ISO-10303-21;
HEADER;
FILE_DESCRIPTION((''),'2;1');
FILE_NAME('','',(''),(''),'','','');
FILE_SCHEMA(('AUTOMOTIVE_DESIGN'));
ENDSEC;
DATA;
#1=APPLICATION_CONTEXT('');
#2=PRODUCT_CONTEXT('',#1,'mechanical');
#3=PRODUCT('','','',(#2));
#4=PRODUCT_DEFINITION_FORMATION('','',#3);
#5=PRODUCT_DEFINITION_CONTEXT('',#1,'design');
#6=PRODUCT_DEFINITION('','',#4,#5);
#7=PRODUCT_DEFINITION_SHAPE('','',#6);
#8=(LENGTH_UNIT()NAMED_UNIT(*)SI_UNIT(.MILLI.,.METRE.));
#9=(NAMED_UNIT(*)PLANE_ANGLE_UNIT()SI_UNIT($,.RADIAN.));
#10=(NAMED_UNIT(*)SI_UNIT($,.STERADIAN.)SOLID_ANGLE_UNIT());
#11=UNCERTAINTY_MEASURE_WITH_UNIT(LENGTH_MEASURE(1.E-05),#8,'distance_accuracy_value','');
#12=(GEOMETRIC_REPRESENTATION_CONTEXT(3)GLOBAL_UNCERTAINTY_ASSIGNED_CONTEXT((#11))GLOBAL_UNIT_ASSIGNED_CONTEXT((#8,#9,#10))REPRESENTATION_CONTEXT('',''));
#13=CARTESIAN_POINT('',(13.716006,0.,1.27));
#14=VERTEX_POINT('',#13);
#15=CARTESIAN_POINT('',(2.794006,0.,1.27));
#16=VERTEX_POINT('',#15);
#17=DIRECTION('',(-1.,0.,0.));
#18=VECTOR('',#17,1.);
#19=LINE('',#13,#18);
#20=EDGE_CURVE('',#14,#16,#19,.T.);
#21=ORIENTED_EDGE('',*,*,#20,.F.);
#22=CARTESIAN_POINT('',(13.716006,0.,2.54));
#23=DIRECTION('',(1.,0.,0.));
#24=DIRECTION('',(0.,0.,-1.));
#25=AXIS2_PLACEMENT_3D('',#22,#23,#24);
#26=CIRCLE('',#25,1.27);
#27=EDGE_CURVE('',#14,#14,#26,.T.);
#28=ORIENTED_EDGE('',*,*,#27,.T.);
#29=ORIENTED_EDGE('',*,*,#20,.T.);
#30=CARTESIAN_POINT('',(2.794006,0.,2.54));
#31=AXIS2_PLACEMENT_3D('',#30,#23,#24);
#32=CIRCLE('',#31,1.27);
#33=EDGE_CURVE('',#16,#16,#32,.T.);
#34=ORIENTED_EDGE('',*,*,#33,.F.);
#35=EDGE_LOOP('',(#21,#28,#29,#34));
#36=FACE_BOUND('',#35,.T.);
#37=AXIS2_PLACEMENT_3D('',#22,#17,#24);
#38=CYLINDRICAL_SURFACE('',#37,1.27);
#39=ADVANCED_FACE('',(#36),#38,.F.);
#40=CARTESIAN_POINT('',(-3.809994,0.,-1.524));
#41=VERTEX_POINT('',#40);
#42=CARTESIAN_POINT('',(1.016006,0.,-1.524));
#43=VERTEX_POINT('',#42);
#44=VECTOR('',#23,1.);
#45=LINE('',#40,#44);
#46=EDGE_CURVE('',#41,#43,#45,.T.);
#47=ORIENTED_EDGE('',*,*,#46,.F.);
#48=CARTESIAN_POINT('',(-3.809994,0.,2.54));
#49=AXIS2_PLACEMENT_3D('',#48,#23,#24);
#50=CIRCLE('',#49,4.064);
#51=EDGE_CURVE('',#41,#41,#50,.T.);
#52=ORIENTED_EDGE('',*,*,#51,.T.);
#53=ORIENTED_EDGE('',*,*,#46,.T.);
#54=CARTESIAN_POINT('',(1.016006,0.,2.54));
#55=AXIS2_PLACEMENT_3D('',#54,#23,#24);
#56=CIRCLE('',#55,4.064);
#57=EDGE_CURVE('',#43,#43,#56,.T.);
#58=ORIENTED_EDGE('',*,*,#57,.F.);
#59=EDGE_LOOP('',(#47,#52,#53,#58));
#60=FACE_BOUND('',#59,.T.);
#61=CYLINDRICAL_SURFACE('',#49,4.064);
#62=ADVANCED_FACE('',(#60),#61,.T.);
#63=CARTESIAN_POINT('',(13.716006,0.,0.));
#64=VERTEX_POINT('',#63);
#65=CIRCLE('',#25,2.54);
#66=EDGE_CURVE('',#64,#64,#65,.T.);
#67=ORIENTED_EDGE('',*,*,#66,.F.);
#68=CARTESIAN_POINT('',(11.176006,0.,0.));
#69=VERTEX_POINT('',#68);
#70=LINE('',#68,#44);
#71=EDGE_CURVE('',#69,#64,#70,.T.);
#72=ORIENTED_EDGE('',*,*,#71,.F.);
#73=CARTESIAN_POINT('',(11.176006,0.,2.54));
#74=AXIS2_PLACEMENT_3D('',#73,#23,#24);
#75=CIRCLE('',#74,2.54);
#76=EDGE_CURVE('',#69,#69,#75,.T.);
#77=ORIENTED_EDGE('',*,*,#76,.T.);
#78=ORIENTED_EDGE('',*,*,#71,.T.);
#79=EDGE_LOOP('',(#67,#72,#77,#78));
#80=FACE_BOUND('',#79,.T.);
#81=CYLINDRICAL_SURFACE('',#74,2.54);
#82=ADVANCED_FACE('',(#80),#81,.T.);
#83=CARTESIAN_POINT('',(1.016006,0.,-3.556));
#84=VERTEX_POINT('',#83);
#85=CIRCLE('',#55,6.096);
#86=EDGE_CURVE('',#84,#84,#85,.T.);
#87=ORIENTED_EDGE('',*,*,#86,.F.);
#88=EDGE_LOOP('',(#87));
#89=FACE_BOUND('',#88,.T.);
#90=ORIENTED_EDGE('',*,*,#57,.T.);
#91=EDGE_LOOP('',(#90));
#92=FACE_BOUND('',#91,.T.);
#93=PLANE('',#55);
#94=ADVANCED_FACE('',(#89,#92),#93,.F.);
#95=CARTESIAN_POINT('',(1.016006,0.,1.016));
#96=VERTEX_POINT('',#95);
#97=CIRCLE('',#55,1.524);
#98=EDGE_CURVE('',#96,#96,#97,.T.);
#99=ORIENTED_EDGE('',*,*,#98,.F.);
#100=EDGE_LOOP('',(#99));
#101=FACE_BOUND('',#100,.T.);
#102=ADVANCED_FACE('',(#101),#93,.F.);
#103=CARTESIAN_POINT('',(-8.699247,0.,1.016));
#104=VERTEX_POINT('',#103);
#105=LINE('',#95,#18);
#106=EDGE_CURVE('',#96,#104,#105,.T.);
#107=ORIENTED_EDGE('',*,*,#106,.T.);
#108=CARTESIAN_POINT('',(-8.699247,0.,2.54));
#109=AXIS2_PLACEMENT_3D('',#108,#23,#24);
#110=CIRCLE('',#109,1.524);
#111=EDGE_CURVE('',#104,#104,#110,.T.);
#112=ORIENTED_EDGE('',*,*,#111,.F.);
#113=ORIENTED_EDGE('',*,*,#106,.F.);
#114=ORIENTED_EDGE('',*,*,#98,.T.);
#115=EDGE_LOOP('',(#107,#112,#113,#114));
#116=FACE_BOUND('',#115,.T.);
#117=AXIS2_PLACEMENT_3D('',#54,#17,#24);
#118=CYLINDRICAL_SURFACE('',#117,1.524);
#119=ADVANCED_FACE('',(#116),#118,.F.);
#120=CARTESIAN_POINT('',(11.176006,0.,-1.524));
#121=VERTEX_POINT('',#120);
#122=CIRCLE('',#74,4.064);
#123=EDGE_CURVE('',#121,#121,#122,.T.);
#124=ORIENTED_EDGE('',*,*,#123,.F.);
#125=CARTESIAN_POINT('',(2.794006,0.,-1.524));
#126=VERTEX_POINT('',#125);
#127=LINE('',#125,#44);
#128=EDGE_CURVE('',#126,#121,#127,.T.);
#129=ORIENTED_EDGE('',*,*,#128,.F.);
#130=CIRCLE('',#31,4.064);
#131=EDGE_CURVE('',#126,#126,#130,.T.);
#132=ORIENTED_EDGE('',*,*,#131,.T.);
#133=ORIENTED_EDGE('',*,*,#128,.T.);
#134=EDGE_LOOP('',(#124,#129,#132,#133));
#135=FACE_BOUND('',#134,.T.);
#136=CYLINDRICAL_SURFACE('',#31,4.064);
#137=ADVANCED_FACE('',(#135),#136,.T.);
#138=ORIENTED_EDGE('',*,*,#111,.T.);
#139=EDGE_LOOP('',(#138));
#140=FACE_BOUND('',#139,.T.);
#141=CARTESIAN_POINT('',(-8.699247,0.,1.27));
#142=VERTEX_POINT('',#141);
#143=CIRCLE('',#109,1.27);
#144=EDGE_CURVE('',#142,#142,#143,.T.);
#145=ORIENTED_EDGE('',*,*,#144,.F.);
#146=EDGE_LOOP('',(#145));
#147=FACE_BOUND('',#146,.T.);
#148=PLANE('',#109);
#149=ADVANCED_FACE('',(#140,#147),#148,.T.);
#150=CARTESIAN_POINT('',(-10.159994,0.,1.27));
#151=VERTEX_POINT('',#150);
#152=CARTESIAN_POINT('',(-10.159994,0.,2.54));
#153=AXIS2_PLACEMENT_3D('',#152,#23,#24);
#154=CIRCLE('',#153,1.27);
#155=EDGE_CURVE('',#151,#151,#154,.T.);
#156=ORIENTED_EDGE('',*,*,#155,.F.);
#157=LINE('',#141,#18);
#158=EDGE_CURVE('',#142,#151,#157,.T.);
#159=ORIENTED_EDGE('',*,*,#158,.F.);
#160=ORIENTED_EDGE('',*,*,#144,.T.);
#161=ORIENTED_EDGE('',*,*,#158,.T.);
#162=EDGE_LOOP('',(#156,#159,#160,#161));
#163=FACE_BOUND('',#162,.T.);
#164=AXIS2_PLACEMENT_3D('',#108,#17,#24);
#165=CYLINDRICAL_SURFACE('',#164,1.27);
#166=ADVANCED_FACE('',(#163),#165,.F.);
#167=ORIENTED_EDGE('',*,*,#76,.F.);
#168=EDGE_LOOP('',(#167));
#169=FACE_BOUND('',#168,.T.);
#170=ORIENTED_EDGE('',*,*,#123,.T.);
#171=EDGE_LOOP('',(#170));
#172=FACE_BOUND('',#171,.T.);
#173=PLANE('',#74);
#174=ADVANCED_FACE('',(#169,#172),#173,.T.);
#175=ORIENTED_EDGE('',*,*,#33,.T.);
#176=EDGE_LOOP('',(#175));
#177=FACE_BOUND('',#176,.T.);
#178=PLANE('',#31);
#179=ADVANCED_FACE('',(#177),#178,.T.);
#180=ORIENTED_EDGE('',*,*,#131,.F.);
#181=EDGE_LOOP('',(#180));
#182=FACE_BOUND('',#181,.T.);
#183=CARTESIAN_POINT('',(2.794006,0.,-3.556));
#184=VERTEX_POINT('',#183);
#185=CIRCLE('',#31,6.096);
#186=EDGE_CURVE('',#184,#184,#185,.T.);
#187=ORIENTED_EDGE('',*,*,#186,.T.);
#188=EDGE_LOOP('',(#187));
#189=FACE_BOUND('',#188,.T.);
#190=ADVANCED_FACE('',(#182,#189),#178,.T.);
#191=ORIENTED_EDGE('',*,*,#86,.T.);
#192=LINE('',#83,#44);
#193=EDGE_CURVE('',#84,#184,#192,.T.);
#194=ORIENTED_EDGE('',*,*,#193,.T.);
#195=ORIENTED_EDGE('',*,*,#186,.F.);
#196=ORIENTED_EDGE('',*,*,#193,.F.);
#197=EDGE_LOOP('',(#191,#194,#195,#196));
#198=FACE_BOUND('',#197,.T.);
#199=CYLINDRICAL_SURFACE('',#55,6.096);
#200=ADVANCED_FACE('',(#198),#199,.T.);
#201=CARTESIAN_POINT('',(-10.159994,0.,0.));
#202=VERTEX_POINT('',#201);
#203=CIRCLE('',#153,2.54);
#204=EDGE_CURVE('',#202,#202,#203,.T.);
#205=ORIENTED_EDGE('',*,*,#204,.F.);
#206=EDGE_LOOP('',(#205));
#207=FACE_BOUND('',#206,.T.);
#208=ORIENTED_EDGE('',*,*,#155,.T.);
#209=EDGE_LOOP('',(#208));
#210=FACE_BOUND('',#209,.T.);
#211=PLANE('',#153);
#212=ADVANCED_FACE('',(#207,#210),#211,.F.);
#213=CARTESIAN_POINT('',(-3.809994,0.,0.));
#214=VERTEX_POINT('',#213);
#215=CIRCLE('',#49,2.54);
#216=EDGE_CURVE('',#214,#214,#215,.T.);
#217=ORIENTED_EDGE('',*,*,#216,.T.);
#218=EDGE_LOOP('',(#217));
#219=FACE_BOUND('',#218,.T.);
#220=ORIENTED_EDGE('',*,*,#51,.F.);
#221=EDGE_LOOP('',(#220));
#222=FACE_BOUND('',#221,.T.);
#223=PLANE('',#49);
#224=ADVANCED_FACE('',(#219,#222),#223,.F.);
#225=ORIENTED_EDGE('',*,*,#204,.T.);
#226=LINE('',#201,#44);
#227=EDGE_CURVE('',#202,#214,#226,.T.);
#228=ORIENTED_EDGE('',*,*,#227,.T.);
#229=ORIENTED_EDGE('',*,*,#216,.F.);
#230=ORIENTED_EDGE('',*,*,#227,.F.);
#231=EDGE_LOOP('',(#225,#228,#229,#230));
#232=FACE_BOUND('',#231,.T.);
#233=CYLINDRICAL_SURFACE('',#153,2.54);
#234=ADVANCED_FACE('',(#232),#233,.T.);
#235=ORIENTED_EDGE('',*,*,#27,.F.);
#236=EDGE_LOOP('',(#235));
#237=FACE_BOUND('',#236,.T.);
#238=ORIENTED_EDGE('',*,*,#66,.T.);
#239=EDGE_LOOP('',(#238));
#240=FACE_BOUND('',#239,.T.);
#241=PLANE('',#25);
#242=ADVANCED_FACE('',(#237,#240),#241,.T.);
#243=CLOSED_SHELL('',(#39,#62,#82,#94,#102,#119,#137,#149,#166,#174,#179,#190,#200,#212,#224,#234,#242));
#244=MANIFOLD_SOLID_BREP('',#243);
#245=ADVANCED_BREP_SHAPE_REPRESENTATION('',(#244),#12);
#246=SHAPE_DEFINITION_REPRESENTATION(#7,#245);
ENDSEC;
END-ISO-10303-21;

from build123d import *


with BuildPart() as f1:
    # F0 (on Front) → F1 (revolve)
    with BuildSketch(Plane.XZ):
        Polygon((-10.159994, 1.27), (-10.159994, 0), (-3.809994, 0), (-3.809994, -1.524), (1.016006, -1.524), (1.016006, -3.556), (2.794006, -3.556), (2.794006, -1.524), (11.176006, -1.524), (11.176006, 0), (13.716006, 0), (13.716006, 1.27), (11.176006, 1.27), (2.794006, 1.27), (2.794006, 2.54), (1.016006, 2.54), (1.016006, 1.27), (1.016006, 1.016), (-8.699247, 1.016), (-8.699247, 1.27), align=None)
    revolve(axis=Axis((1.905006, 0, 2.54), (1, 0, 0)))


solid = f1.part
